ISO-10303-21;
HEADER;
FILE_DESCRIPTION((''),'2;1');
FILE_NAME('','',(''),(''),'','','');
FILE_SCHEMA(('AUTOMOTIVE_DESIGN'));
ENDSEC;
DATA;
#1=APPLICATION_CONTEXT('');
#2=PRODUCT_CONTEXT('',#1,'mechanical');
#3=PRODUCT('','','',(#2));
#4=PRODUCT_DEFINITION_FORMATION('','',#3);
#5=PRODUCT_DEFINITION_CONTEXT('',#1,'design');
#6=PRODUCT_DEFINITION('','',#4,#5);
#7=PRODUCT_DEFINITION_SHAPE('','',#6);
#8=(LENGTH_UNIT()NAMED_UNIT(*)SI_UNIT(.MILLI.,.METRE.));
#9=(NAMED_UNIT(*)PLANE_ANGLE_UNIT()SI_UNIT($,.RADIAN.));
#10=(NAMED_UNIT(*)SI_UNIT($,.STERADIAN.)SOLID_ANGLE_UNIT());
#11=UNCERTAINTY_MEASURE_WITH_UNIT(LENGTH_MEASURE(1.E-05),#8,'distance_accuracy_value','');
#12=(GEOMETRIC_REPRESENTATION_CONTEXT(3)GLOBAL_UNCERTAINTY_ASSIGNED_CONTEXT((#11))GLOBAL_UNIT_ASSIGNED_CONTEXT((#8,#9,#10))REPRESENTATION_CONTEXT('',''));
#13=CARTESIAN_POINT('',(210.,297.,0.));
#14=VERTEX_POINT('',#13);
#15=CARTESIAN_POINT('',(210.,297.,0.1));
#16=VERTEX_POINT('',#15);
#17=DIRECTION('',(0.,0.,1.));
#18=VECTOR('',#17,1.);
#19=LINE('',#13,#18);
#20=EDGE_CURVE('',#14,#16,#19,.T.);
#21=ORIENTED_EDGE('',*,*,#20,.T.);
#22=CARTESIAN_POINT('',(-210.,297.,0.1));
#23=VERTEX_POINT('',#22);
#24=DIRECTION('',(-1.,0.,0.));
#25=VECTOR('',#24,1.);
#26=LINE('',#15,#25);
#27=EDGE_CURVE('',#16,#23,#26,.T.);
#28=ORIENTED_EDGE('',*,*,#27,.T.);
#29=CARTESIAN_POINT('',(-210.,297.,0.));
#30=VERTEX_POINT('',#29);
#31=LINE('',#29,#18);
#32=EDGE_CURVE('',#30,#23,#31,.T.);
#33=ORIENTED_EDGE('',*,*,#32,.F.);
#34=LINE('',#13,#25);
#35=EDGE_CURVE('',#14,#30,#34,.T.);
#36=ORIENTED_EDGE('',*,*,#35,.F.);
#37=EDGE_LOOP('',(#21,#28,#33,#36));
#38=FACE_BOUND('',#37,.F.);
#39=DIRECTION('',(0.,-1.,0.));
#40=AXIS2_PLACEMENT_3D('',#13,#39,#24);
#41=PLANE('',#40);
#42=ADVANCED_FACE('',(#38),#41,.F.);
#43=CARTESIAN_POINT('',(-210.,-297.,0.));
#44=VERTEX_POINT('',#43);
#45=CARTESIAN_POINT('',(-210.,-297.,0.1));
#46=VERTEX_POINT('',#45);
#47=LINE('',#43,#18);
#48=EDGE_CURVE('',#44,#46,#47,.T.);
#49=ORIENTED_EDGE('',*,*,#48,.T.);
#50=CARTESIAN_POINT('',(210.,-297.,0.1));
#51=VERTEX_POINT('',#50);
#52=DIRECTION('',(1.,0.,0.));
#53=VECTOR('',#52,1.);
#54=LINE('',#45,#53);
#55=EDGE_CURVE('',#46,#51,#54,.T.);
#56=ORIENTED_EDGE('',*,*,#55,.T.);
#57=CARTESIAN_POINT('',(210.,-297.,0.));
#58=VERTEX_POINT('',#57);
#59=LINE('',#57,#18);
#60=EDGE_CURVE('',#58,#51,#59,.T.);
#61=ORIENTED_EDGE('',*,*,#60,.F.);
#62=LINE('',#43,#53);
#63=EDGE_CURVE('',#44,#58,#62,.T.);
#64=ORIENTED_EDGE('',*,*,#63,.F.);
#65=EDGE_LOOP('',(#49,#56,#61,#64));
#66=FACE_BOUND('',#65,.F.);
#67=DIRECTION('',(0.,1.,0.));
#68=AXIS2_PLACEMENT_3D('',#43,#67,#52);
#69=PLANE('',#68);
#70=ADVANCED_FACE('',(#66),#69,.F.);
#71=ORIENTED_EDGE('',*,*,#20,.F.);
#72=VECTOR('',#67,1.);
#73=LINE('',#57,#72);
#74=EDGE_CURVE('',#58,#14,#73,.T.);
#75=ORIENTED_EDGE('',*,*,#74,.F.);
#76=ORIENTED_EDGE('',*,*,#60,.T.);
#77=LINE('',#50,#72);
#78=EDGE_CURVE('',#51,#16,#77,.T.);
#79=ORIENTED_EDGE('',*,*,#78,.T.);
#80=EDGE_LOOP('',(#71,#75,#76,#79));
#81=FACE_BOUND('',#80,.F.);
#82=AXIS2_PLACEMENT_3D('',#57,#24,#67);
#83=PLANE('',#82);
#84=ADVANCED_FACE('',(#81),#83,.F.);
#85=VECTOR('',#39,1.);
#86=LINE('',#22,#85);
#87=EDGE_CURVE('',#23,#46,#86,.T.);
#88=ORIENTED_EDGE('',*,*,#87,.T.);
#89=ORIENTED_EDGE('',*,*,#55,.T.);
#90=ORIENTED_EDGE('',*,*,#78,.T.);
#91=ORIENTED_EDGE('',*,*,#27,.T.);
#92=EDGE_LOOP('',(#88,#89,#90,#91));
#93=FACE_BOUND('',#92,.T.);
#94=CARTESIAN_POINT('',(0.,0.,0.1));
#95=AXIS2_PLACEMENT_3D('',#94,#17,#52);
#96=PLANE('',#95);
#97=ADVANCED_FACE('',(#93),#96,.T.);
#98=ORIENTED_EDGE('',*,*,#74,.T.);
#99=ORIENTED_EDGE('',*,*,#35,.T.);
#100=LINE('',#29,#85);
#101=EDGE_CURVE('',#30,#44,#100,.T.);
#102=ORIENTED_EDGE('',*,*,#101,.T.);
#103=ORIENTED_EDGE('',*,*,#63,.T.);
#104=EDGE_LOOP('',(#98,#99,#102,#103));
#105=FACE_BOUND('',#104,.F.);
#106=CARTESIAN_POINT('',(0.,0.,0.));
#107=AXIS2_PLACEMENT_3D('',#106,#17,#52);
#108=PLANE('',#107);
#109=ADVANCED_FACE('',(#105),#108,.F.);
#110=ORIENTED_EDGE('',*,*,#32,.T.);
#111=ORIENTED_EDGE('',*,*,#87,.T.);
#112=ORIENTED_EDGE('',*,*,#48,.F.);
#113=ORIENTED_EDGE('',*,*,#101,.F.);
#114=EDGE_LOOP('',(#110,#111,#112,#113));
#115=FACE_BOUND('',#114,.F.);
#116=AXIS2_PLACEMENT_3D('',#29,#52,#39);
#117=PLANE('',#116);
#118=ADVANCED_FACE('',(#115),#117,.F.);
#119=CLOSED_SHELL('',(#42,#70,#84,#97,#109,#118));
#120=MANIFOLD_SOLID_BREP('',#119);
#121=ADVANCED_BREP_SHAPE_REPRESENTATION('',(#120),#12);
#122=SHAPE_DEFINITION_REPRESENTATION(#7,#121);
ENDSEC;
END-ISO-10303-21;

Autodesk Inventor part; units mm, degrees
ref_plane "YZ Plane" through (0, 0, 0) normal (1, 0, 0) x (0, 1, 0)
ref_plane "XZ Plane" through (0, 0, 0) normal (0, 1, 0) x (-1, 0, 0)
ref_plane "XY Plane" through (0, 0, 0) normal (0, 0, 1) x (1, 0, 0)
sketch "Sketch1" plane through (0, 0, 0) normal (0, 0, 1) x (1, 0, 0)
  line L0 (210, 297) -> (-210, 297)
  line L1 (-210, 297) -> (-210, -297)
  line L2 (-210, -297) -> (210, -297)
  line L3 (210, -297) -> (210, 297)
  line L4 (210, 297) -> (-210, -297) construction
  line L5 (-210, 297) -> (210, -297) construction
  point P0 (0, 0)
  dimension "d0" = 420
  dimension "d1" = 594
extrude "Extrusion1" add sketch "Sketch1" along normal blind 0.1
equation "\"d0\" = PAPER_WIDTH"
equation "\"d1\" = PAPER_LENGTH"
equation "\"PAPER_WIDTH\" = 420"
equation "\"PAPER_LENGTH\" = 594"
properties part number "PaperA2" material "Paper"
